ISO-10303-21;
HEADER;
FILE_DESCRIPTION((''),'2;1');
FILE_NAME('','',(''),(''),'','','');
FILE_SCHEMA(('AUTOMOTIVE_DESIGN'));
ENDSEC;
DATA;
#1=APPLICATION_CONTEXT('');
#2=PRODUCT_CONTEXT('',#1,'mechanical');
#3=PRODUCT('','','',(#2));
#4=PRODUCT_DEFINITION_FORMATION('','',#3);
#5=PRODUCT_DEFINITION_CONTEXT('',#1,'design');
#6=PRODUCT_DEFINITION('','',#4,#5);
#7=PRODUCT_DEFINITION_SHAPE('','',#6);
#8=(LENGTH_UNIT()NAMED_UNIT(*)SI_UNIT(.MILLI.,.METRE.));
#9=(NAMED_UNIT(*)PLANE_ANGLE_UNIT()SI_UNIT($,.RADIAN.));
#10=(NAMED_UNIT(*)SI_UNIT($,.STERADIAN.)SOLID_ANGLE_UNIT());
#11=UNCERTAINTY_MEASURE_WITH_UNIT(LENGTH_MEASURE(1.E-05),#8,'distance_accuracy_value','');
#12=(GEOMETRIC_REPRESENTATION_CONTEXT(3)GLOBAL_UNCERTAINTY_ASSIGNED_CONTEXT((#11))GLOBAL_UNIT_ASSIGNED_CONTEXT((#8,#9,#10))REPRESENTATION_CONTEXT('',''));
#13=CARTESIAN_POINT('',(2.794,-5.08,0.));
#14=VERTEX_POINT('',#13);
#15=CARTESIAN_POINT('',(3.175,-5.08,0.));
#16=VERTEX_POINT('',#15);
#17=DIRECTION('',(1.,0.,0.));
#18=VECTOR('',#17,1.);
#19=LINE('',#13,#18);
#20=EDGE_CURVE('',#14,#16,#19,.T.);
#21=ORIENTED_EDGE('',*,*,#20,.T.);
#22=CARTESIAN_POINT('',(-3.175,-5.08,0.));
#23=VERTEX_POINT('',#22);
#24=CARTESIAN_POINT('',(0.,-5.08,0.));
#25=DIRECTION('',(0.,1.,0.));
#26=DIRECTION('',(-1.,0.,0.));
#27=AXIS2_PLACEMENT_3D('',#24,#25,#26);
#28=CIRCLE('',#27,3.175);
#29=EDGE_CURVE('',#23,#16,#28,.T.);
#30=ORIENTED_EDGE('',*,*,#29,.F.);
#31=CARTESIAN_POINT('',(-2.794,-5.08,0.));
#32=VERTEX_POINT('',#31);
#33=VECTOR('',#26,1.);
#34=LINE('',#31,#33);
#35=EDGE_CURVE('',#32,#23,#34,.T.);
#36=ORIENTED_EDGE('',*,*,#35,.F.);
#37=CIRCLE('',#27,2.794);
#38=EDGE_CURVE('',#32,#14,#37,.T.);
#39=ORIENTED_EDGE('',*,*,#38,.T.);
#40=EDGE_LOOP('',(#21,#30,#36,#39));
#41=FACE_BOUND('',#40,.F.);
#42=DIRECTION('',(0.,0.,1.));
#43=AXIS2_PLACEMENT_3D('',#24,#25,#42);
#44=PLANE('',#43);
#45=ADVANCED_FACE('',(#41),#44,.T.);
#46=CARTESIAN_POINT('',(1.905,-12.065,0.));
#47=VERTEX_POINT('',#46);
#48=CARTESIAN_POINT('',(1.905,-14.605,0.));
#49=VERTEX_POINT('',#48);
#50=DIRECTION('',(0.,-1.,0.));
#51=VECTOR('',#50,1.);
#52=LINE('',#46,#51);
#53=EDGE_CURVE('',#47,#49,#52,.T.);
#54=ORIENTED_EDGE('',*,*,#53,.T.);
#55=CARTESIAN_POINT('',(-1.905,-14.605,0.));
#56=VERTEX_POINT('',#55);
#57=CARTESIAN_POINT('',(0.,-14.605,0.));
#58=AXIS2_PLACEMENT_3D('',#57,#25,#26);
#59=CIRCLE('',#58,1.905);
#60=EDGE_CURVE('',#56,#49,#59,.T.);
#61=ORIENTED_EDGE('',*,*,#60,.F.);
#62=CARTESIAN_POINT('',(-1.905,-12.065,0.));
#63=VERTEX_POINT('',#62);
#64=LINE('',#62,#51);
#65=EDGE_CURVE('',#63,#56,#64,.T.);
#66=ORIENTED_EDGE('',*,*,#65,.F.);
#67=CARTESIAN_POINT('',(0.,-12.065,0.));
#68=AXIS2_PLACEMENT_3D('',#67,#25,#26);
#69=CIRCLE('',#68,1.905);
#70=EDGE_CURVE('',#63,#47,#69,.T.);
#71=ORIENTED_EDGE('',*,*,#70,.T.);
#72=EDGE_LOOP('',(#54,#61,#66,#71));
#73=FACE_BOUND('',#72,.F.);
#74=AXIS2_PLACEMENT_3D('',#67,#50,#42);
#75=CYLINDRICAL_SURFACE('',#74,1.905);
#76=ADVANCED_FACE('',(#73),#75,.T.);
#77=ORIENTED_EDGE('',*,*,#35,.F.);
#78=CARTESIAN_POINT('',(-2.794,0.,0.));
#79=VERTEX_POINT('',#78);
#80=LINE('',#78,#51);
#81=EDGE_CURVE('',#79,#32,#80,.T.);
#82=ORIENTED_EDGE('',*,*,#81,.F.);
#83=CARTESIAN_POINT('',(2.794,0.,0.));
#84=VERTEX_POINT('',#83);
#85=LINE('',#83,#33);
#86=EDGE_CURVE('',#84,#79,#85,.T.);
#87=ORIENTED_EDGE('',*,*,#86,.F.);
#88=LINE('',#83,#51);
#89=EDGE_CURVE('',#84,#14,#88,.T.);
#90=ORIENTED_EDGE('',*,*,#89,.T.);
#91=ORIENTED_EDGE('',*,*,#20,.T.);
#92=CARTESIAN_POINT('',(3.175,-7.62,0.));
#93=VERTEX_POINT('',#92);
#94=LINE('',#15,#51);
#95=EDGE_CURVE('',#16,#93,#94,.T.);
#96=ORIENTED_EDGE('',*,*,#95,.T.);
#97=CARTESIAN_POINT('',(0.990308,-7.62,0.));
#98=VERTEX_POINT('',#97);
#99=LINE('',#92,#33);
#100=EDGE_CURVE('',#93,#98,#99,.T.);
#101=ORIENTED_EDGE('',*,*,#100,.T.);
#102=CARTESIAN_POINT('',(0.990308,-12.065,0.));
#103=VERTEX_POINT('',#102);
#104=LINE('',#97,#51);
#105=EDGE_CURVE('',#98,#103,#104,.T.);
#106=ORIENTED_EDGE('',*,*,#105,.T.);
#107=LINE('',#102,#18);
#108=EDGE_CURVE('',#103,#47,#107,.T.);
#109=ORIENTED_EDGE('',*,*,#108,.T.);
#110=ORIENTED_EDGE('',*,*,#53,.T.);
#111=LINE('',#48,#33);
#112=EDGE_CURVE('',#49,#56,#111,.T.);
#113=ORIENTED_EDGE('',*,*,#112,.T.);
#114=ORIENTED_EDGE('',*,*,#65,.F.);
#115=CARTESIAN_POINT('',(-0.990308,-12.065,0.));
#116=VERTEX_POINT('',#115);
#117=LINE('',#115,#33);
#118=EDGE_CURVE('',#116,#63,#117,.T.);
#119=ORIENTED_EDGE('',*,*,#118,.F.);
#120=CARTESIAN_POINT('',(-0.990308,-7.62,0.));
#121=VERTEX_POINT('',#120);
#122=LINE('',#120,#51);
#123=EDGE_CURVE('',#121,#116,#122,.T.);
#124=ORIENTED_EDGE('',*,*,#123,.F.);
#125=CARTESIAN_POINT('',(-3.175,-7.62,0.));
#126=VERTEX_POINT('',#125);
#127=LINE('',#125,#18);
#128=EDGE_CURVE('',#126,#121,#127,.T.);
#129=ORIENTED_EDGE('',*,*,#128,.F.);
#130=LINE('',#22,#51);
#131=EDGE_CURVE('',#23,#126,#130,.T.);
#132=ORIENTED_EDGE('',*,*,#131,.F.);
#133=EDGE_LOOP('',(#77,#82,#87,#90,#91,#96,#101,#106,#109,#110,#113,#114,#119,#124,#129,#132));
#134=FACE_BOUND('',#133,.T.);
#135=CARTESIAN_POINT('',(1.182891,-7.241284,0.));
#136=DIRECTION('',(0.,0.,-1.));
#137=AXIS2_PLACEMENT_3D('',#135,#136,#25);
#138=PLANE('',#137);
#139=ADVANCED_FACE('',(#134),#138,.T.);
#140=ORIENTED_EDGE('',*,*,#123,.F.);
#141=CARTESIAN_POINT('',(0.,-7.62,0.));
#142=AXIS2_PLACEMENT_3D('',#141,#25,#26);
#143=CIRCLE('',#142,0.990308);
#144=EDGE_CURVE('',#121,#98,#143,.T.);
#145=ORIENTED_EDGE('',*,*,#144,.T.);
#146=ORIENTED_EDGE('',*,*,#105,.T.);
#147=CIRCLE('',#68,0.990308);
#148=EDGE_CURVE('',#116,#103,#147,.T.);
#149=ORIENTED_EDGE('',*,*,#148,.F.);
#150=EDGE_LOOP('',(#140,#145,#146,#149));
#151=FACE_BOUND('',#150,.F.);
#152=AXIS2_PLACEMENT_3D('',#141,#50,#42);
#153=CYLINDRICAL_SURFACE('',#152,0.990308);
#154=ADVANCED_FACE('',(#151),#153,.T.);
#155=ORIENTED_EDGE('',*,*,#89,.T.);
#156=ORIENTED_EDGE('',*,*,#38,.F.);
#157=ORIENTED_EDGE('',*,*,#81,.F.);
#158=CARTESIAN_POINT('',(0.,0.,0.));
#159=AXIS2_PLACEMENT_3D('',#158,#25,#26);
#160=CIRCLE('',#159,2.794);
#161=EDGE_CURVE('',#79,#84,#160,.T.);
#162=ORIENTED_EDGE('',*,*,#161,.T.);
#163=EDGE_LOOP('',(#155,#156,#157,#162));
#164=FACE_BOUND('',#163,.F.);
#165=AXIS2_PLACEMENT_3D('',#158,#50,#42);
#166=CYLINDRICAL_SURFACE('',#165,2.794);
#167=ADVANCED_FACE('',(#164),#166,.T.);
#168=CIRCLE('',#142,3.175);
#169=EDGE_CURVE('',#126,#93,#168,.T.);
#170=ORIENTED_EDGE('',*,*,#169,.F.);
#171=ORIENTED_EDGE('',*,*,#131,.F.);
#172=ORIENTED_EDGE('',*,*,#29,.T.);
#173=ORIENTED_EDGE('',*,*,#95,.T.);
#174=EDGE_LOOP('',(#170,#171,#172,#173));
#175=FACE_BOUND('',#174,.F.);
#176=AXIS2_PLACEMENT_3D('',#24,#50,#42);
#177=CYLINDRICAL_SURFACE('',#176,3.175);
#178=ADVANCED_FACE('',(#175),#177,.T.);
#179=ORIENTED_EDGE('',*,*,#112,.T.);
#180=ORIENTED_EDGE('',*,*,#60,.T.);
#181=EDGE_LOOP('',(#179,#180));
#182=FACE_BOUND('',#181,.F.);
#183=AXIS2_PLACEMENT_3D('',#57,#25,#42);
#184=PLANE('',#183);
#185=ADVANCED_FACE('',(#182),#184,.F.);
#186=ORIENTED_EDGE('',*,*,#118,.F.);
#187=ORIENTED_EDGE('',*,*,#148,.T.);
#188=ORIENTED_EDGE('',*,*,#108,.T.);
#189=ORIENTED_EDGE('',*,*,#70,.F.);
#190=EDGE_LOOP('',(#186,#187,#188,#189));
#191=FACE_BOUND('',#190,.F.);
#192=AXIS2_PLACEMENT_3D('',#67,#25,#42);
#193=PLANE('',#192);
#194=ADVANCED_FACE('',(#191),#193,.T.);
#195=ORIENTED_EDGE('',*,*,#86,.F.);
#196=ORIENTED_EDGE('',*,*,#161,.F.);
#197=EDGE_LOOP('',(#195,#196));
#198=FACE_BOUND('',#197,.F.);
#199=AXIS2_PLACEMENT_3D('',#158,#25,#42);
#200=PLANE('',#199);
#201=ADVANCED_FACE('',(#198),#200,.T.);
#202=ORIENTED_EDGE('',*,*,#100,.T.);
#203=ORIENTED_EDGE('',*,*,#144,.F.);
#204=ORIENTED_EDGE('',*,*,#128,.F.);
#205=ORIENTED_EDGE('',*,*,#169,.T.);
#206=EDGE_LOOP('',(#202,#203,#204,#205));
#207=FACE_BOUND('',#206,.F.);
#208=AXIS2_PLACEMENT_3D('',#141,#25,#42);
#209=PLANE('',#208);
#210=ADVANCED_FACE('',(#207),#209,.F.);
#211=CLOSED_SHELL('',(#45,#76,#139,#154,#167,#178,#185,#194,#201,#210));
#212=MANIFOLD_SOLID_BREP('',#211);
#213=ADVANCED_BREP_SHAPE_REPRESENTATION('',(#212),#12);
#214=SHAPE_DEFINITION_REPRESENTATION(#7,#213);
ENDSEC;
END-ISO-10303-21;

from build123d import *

# Parameters (mm, degrees)
F1_ANGLE = 180


with BuildPart() as f1:
    # F0 (on Right) → F1 (revolve, symmetric)
    with BuildSketch(Plane.YZ) as f1_sk:
        Polygon((-14.605, 0), (0, 0), (0, 2.794), (-5.08, 2.794), (-5.08, 3.175), (-7.62, 3.175), (-7.62, 0.990308), (-12.065, 0.990308), (-12.065, 1.905), (-14.605, 1.905), align=None)
    revolve(axis=Axis((0, -7.3025, 0), (0, -1, 0)), revolution_arc=F1_ANGLE / 2)
    revolve(f1_sk.sketch, axis=Axis((0, -7.3025, 0), (0, 1, 0)), revolution_arc=F1_ANGLE / 2)


solid = f1.part
